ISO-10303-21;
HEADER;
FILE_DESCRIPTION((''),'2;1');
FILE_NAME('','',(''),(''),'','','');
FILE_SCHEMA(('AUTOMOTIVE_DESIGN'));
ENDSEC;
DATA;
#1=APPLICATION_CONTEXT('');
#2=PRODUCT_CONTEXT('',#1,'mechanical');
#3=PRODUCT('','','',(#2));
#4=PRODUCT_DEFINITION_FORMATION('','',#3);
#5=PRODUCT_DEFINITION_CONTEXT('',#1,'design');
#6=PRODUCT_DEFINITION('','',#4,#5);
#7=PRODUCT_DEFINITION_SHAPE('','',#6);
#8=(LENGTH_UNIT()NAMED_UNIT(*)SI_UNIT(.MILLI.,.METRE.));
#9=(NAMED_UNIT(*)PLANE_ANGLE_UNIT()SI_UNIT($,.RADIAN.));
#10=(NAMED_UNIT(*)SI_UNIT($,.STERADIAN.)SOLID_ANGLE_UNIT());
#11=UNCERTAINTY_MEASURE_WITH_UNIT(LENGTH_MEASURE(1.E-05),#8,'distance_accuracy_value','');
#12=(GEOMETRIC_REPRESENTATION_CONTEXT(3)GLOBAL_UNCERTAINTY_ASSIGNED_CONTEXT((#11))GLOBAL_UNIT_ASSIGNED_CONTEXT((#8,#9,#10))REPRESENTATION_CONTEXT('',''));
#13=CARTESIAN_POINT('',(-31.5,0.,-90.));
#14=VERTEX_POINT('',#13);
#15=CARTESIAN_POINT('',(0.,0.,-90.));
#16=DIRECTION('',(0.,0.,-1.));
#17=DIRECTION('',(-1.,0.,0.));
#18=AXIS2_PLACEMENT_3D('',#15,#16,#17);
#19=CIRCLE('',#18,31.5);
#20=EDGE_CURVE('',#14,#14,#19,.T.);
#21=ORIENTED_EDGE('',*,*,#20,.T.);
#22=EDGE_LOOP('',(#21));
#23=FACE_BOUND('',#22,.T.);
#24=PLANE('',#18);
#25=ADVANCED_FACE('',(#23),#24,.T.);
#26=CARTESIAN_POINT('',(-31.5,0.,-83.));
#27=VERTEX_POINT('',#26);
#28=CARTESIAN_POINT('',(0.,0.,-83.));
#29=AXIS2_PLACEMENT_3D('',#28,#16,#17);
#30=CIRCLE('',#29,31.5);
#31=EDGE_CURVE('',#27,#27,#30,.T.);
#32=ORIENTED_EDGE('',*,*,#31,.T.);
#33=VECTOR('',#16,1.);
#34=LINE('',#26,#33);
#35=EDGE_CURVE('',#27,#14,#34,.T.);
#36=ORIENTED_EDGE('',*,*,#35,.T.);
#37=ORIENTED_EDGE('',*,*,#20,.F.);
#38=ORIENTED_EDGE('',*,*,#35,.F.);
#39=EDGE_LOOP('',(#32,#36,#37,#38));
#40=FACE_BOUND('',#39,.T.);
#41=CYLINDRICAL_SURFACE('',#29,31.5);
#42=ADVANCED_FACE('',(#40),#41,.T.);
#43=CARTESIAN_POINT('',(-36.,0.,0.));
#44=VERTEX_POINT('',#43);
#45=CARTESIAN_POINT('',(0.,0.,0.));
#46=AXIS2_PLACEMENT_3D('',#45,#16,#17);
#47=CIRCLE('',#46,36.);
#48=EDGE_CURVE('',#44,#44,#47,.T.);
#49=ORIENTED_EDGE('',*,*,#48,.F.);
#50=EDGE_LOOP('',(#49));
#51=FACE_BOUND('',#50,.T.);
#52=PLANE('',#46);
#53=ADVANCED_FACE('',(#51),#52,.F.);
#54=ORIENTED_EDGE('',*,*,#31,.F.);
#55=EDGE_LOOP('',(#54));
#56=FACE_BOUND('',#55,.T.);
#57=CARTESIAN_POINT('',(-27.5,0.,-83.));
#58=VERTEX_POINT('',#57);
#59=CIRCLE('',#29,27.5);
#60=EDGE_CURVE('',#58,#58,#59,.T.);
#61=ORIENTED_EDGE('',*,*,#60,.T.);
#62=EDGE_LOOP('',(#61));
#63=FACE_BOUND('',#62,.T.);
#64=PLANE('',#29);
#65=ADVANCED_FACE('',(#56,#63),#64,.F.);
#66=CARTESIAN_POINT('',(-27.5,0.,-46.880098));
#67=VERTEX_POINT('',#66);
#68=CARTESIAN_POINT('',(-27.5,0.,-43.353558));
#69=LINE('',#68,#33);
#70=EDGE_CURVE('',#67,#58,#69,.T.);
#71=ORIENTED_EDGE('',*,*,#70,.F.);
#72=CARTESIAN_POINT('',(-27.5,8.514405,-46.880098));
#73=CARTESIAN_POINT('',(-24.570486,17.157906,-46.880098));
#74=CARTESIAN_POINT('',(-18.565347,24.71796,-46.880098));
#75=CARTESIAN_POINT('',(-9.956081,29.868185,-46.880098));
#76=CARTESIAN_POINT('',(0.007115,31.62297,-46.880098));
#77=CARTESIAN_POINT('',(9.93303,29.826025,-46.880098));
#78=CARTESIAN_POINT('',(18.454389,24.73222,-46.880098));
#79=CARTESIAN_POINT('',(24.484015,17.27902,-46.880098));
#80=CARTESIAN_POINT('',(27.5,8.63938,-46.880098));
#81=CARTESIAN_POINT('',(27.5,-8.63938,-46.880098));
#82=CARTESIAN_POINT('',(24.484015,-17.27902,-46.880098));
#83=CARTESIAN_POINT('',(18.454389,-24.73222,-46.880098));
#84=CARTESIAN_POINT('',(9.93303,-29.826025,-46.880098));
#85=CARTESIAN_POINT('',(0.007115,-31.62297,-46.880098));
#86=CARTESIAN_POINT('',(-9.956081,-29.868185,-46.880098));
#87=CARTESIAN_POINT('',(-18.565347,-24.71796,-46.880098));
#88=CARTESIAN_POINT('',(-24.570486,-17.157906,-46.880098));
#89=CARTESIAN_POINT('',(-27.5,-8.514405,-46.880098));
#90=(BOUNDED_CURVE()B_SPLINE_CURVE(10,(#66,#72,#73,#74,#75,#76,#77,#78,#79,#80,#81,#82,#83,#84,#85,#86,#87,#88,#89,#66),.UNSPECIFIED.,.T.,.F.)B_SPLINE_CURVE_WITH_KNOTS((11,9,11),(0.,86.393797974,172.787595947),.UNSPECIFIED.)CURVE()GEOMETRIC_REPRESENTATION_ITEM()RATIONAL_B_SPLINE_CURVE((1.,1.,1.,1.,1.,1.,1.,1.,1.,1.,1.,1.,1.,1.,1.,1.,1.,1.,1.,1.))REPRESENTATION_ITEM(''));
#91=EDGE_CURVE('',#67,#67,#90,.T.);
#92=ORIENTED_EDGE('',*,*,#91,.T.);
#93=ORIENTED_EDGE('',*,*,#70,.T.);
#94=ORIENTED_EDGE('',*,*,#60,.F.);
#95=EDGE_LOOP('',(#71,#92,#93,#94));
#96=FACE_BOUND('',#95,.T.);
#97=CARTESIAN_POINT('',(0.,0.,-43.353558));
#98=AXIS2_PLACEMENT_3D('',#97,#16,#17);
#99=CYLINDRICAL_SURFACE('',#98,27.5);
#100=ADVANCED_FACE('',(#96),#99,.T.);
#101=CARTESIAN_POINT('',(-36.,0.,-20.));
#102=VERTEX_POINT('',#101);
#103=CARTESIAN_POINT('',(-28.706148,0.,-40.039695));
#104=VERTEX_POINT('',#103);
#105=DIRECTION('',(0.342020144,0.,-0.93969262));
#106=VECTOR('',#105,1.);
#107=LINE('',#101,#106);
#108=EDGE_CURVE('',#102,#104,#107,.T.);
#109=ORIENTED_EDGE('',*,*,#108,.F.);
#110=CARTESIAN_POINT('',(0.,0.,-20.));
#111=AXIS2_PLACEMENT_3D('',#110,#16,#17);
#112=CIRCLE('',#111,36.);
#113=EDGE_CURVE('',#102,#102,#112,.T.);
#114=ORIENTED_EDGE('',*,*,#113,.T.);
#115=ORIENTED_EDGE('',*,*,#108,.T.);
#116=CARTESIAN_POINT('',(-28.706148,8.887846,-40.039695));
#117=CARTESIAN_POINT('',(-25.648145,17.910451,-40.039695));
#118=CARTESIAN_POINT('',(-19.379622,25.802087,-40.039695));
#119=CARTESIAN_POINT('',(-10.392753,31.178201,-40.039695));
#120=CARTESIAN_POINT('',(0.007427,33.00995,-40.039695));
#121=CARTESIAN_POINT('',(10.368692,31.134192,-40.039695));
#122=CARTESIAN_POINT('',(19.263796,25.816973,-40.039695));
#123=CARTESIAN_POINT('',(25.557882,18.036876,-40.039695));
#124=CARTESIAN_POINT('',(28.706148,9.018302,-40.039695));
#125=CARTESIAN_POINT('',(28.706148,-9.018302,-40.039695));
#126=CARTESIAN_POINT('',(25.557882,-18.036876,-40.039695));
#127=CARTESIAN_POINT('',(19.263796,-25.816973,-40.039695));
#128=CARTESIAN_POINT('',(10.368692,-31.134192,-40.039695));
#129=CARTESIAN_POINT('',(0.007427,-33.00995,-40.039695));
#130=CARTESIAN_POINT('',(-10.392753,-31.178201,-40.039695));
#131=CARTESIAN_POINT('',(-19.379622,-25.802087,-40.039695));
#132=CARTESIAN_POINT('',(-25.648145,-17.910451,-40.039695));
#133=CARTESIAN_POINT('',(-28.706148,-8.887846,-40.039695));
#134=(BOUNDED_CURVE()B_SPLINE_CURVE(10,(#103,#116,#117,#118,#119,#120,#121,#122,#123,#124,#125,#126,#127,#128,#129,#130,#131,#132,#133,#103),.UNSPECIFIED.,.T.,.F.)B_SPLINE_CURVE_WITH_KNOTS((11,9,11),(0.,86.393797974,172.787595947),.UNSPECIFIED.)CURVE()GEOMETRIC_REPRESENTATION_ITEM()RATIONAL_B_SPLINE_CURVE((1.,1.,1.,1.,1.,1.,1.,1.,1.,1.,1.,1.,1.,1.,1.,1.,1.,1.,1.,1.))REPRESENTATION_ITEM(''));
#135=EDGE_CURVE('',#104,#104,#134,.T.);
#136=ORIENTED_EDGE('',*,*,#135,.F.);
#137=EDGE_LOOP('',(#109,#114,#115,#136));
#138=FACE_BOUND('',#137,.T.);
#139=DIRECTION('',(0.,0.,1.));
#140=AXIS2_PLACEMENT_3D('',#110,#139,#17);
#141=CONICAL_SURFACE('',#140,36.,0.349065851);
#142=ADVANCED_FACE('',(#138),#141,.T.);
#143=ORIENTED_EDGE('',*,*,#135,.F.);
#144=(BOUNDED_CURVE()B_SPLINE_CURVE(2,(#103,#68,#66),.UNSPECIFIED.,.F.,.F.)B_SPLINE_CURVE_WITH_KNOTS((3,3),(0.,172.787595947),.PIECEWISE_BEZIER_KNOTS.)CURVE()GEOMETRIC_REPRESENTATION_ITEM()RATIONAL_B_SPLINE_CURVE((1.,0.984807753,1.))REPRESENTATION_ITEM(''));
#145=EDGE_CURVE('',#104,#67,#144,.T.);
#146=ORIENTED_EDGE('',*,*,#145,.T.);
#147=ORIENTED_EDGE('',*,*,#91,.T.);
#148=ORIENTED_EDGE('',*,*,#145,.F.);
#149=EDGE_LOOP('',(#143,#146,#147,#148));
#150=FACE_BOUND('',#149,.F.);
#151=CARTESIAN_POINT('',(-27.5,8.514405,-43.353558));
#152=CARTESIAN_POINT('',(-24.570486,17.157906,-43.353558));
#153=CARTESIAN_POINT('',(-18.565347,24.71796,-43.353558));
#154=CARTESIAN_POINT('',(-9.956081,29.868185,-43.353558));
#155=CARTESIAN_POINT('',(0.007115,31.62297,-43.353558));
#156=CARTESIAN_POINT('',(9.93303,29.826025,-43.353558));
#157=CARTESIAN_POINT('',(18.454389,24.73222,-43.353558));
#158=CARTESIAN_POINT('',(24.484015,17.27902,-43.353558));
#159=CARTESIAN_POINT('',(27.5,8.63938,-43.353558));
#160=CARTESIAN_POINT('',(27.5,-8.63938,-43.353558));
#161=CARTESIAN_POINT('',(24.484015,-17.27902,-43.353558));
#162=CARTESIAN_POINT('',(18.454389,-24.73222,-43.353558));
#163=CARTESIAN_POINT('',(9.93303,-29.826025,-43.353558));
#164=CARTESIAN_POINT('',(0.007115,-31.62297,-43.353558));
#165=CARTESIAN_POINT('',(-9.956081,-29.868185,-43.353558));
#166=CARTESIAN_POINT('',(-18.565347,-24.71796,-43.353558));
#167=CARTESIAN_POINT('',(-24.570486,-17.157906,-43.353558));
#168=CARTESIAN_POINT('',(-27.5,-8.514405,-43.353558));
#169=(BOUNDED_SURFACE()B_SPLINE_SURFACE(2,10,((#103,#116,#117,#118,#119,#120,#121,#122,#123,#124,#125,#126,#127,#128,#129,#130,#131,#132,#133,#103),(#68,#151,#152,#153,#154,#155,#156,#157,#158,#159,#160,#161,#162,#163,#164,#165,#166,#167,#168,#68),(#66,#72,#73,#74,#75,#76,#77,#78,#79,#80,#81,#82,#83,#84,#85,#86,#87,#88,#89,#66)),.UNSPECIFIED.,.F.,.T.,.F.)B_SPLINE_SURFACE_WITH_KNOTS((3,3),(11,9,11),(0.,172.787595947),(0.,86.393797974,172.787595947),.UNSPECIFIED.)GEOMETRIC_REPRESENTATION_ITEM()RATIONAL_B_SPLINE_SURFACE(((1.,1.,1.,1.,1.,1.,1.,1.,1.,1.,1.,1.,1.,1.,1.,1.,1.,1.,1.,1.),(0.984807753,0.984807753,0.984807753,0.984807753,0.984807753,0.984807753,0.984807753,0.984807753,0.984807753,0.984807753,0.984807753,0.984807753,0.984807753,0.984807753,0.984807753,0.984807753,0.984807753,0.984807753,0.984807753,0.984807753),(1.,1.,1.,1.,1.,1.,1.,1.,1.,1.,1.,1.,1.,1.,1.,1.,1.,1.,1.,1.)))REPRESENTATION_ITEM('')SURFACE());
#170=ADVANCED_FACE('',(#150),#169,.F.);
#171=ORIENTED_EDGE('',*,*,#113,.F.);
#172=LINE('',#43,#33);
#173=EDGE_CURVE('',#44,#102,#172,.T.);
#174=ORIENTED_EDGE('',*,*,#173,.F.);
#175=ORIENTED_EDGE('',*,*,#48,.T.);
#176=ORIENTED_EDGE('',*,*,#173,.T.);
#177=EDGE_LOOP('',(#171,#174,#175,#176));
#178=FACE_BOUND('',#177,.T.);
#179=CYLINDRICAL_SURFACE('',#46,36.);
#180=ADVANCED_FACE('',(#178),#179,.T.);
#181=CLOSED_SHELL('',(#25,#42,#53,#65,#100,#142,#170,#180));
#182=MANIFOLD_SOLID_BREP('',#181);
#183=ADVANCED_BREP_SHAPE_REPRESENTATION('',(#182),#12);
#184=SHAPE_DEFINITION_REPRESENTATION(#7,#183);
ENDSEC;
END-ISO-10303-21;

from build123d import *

# Parameters (mm, degrees)
F2_R = 20


with BuildPart() as f1:
    # F0 (on Front) → F1 (revolve)
    with BuildSketch(Plane.XZ):
        Polygon((0, -90), (0, 0), (-36, 0), (-36, -20), (-27.5, -43.353558), (-27.5, -83), (-31.5, -83), (-31.5, -90), align=None)
    revolve(axis=Axis((0, 0, -26.769872), (0, 0, -1)))

    # F2
    f2_edges = [f1.edges().sort_by_distance(p)[0] for p in [
        (27.5, 0, -43.353558),
    ]]
    fillet(f2_edges, radius=F2_R)


solid = f1.part
